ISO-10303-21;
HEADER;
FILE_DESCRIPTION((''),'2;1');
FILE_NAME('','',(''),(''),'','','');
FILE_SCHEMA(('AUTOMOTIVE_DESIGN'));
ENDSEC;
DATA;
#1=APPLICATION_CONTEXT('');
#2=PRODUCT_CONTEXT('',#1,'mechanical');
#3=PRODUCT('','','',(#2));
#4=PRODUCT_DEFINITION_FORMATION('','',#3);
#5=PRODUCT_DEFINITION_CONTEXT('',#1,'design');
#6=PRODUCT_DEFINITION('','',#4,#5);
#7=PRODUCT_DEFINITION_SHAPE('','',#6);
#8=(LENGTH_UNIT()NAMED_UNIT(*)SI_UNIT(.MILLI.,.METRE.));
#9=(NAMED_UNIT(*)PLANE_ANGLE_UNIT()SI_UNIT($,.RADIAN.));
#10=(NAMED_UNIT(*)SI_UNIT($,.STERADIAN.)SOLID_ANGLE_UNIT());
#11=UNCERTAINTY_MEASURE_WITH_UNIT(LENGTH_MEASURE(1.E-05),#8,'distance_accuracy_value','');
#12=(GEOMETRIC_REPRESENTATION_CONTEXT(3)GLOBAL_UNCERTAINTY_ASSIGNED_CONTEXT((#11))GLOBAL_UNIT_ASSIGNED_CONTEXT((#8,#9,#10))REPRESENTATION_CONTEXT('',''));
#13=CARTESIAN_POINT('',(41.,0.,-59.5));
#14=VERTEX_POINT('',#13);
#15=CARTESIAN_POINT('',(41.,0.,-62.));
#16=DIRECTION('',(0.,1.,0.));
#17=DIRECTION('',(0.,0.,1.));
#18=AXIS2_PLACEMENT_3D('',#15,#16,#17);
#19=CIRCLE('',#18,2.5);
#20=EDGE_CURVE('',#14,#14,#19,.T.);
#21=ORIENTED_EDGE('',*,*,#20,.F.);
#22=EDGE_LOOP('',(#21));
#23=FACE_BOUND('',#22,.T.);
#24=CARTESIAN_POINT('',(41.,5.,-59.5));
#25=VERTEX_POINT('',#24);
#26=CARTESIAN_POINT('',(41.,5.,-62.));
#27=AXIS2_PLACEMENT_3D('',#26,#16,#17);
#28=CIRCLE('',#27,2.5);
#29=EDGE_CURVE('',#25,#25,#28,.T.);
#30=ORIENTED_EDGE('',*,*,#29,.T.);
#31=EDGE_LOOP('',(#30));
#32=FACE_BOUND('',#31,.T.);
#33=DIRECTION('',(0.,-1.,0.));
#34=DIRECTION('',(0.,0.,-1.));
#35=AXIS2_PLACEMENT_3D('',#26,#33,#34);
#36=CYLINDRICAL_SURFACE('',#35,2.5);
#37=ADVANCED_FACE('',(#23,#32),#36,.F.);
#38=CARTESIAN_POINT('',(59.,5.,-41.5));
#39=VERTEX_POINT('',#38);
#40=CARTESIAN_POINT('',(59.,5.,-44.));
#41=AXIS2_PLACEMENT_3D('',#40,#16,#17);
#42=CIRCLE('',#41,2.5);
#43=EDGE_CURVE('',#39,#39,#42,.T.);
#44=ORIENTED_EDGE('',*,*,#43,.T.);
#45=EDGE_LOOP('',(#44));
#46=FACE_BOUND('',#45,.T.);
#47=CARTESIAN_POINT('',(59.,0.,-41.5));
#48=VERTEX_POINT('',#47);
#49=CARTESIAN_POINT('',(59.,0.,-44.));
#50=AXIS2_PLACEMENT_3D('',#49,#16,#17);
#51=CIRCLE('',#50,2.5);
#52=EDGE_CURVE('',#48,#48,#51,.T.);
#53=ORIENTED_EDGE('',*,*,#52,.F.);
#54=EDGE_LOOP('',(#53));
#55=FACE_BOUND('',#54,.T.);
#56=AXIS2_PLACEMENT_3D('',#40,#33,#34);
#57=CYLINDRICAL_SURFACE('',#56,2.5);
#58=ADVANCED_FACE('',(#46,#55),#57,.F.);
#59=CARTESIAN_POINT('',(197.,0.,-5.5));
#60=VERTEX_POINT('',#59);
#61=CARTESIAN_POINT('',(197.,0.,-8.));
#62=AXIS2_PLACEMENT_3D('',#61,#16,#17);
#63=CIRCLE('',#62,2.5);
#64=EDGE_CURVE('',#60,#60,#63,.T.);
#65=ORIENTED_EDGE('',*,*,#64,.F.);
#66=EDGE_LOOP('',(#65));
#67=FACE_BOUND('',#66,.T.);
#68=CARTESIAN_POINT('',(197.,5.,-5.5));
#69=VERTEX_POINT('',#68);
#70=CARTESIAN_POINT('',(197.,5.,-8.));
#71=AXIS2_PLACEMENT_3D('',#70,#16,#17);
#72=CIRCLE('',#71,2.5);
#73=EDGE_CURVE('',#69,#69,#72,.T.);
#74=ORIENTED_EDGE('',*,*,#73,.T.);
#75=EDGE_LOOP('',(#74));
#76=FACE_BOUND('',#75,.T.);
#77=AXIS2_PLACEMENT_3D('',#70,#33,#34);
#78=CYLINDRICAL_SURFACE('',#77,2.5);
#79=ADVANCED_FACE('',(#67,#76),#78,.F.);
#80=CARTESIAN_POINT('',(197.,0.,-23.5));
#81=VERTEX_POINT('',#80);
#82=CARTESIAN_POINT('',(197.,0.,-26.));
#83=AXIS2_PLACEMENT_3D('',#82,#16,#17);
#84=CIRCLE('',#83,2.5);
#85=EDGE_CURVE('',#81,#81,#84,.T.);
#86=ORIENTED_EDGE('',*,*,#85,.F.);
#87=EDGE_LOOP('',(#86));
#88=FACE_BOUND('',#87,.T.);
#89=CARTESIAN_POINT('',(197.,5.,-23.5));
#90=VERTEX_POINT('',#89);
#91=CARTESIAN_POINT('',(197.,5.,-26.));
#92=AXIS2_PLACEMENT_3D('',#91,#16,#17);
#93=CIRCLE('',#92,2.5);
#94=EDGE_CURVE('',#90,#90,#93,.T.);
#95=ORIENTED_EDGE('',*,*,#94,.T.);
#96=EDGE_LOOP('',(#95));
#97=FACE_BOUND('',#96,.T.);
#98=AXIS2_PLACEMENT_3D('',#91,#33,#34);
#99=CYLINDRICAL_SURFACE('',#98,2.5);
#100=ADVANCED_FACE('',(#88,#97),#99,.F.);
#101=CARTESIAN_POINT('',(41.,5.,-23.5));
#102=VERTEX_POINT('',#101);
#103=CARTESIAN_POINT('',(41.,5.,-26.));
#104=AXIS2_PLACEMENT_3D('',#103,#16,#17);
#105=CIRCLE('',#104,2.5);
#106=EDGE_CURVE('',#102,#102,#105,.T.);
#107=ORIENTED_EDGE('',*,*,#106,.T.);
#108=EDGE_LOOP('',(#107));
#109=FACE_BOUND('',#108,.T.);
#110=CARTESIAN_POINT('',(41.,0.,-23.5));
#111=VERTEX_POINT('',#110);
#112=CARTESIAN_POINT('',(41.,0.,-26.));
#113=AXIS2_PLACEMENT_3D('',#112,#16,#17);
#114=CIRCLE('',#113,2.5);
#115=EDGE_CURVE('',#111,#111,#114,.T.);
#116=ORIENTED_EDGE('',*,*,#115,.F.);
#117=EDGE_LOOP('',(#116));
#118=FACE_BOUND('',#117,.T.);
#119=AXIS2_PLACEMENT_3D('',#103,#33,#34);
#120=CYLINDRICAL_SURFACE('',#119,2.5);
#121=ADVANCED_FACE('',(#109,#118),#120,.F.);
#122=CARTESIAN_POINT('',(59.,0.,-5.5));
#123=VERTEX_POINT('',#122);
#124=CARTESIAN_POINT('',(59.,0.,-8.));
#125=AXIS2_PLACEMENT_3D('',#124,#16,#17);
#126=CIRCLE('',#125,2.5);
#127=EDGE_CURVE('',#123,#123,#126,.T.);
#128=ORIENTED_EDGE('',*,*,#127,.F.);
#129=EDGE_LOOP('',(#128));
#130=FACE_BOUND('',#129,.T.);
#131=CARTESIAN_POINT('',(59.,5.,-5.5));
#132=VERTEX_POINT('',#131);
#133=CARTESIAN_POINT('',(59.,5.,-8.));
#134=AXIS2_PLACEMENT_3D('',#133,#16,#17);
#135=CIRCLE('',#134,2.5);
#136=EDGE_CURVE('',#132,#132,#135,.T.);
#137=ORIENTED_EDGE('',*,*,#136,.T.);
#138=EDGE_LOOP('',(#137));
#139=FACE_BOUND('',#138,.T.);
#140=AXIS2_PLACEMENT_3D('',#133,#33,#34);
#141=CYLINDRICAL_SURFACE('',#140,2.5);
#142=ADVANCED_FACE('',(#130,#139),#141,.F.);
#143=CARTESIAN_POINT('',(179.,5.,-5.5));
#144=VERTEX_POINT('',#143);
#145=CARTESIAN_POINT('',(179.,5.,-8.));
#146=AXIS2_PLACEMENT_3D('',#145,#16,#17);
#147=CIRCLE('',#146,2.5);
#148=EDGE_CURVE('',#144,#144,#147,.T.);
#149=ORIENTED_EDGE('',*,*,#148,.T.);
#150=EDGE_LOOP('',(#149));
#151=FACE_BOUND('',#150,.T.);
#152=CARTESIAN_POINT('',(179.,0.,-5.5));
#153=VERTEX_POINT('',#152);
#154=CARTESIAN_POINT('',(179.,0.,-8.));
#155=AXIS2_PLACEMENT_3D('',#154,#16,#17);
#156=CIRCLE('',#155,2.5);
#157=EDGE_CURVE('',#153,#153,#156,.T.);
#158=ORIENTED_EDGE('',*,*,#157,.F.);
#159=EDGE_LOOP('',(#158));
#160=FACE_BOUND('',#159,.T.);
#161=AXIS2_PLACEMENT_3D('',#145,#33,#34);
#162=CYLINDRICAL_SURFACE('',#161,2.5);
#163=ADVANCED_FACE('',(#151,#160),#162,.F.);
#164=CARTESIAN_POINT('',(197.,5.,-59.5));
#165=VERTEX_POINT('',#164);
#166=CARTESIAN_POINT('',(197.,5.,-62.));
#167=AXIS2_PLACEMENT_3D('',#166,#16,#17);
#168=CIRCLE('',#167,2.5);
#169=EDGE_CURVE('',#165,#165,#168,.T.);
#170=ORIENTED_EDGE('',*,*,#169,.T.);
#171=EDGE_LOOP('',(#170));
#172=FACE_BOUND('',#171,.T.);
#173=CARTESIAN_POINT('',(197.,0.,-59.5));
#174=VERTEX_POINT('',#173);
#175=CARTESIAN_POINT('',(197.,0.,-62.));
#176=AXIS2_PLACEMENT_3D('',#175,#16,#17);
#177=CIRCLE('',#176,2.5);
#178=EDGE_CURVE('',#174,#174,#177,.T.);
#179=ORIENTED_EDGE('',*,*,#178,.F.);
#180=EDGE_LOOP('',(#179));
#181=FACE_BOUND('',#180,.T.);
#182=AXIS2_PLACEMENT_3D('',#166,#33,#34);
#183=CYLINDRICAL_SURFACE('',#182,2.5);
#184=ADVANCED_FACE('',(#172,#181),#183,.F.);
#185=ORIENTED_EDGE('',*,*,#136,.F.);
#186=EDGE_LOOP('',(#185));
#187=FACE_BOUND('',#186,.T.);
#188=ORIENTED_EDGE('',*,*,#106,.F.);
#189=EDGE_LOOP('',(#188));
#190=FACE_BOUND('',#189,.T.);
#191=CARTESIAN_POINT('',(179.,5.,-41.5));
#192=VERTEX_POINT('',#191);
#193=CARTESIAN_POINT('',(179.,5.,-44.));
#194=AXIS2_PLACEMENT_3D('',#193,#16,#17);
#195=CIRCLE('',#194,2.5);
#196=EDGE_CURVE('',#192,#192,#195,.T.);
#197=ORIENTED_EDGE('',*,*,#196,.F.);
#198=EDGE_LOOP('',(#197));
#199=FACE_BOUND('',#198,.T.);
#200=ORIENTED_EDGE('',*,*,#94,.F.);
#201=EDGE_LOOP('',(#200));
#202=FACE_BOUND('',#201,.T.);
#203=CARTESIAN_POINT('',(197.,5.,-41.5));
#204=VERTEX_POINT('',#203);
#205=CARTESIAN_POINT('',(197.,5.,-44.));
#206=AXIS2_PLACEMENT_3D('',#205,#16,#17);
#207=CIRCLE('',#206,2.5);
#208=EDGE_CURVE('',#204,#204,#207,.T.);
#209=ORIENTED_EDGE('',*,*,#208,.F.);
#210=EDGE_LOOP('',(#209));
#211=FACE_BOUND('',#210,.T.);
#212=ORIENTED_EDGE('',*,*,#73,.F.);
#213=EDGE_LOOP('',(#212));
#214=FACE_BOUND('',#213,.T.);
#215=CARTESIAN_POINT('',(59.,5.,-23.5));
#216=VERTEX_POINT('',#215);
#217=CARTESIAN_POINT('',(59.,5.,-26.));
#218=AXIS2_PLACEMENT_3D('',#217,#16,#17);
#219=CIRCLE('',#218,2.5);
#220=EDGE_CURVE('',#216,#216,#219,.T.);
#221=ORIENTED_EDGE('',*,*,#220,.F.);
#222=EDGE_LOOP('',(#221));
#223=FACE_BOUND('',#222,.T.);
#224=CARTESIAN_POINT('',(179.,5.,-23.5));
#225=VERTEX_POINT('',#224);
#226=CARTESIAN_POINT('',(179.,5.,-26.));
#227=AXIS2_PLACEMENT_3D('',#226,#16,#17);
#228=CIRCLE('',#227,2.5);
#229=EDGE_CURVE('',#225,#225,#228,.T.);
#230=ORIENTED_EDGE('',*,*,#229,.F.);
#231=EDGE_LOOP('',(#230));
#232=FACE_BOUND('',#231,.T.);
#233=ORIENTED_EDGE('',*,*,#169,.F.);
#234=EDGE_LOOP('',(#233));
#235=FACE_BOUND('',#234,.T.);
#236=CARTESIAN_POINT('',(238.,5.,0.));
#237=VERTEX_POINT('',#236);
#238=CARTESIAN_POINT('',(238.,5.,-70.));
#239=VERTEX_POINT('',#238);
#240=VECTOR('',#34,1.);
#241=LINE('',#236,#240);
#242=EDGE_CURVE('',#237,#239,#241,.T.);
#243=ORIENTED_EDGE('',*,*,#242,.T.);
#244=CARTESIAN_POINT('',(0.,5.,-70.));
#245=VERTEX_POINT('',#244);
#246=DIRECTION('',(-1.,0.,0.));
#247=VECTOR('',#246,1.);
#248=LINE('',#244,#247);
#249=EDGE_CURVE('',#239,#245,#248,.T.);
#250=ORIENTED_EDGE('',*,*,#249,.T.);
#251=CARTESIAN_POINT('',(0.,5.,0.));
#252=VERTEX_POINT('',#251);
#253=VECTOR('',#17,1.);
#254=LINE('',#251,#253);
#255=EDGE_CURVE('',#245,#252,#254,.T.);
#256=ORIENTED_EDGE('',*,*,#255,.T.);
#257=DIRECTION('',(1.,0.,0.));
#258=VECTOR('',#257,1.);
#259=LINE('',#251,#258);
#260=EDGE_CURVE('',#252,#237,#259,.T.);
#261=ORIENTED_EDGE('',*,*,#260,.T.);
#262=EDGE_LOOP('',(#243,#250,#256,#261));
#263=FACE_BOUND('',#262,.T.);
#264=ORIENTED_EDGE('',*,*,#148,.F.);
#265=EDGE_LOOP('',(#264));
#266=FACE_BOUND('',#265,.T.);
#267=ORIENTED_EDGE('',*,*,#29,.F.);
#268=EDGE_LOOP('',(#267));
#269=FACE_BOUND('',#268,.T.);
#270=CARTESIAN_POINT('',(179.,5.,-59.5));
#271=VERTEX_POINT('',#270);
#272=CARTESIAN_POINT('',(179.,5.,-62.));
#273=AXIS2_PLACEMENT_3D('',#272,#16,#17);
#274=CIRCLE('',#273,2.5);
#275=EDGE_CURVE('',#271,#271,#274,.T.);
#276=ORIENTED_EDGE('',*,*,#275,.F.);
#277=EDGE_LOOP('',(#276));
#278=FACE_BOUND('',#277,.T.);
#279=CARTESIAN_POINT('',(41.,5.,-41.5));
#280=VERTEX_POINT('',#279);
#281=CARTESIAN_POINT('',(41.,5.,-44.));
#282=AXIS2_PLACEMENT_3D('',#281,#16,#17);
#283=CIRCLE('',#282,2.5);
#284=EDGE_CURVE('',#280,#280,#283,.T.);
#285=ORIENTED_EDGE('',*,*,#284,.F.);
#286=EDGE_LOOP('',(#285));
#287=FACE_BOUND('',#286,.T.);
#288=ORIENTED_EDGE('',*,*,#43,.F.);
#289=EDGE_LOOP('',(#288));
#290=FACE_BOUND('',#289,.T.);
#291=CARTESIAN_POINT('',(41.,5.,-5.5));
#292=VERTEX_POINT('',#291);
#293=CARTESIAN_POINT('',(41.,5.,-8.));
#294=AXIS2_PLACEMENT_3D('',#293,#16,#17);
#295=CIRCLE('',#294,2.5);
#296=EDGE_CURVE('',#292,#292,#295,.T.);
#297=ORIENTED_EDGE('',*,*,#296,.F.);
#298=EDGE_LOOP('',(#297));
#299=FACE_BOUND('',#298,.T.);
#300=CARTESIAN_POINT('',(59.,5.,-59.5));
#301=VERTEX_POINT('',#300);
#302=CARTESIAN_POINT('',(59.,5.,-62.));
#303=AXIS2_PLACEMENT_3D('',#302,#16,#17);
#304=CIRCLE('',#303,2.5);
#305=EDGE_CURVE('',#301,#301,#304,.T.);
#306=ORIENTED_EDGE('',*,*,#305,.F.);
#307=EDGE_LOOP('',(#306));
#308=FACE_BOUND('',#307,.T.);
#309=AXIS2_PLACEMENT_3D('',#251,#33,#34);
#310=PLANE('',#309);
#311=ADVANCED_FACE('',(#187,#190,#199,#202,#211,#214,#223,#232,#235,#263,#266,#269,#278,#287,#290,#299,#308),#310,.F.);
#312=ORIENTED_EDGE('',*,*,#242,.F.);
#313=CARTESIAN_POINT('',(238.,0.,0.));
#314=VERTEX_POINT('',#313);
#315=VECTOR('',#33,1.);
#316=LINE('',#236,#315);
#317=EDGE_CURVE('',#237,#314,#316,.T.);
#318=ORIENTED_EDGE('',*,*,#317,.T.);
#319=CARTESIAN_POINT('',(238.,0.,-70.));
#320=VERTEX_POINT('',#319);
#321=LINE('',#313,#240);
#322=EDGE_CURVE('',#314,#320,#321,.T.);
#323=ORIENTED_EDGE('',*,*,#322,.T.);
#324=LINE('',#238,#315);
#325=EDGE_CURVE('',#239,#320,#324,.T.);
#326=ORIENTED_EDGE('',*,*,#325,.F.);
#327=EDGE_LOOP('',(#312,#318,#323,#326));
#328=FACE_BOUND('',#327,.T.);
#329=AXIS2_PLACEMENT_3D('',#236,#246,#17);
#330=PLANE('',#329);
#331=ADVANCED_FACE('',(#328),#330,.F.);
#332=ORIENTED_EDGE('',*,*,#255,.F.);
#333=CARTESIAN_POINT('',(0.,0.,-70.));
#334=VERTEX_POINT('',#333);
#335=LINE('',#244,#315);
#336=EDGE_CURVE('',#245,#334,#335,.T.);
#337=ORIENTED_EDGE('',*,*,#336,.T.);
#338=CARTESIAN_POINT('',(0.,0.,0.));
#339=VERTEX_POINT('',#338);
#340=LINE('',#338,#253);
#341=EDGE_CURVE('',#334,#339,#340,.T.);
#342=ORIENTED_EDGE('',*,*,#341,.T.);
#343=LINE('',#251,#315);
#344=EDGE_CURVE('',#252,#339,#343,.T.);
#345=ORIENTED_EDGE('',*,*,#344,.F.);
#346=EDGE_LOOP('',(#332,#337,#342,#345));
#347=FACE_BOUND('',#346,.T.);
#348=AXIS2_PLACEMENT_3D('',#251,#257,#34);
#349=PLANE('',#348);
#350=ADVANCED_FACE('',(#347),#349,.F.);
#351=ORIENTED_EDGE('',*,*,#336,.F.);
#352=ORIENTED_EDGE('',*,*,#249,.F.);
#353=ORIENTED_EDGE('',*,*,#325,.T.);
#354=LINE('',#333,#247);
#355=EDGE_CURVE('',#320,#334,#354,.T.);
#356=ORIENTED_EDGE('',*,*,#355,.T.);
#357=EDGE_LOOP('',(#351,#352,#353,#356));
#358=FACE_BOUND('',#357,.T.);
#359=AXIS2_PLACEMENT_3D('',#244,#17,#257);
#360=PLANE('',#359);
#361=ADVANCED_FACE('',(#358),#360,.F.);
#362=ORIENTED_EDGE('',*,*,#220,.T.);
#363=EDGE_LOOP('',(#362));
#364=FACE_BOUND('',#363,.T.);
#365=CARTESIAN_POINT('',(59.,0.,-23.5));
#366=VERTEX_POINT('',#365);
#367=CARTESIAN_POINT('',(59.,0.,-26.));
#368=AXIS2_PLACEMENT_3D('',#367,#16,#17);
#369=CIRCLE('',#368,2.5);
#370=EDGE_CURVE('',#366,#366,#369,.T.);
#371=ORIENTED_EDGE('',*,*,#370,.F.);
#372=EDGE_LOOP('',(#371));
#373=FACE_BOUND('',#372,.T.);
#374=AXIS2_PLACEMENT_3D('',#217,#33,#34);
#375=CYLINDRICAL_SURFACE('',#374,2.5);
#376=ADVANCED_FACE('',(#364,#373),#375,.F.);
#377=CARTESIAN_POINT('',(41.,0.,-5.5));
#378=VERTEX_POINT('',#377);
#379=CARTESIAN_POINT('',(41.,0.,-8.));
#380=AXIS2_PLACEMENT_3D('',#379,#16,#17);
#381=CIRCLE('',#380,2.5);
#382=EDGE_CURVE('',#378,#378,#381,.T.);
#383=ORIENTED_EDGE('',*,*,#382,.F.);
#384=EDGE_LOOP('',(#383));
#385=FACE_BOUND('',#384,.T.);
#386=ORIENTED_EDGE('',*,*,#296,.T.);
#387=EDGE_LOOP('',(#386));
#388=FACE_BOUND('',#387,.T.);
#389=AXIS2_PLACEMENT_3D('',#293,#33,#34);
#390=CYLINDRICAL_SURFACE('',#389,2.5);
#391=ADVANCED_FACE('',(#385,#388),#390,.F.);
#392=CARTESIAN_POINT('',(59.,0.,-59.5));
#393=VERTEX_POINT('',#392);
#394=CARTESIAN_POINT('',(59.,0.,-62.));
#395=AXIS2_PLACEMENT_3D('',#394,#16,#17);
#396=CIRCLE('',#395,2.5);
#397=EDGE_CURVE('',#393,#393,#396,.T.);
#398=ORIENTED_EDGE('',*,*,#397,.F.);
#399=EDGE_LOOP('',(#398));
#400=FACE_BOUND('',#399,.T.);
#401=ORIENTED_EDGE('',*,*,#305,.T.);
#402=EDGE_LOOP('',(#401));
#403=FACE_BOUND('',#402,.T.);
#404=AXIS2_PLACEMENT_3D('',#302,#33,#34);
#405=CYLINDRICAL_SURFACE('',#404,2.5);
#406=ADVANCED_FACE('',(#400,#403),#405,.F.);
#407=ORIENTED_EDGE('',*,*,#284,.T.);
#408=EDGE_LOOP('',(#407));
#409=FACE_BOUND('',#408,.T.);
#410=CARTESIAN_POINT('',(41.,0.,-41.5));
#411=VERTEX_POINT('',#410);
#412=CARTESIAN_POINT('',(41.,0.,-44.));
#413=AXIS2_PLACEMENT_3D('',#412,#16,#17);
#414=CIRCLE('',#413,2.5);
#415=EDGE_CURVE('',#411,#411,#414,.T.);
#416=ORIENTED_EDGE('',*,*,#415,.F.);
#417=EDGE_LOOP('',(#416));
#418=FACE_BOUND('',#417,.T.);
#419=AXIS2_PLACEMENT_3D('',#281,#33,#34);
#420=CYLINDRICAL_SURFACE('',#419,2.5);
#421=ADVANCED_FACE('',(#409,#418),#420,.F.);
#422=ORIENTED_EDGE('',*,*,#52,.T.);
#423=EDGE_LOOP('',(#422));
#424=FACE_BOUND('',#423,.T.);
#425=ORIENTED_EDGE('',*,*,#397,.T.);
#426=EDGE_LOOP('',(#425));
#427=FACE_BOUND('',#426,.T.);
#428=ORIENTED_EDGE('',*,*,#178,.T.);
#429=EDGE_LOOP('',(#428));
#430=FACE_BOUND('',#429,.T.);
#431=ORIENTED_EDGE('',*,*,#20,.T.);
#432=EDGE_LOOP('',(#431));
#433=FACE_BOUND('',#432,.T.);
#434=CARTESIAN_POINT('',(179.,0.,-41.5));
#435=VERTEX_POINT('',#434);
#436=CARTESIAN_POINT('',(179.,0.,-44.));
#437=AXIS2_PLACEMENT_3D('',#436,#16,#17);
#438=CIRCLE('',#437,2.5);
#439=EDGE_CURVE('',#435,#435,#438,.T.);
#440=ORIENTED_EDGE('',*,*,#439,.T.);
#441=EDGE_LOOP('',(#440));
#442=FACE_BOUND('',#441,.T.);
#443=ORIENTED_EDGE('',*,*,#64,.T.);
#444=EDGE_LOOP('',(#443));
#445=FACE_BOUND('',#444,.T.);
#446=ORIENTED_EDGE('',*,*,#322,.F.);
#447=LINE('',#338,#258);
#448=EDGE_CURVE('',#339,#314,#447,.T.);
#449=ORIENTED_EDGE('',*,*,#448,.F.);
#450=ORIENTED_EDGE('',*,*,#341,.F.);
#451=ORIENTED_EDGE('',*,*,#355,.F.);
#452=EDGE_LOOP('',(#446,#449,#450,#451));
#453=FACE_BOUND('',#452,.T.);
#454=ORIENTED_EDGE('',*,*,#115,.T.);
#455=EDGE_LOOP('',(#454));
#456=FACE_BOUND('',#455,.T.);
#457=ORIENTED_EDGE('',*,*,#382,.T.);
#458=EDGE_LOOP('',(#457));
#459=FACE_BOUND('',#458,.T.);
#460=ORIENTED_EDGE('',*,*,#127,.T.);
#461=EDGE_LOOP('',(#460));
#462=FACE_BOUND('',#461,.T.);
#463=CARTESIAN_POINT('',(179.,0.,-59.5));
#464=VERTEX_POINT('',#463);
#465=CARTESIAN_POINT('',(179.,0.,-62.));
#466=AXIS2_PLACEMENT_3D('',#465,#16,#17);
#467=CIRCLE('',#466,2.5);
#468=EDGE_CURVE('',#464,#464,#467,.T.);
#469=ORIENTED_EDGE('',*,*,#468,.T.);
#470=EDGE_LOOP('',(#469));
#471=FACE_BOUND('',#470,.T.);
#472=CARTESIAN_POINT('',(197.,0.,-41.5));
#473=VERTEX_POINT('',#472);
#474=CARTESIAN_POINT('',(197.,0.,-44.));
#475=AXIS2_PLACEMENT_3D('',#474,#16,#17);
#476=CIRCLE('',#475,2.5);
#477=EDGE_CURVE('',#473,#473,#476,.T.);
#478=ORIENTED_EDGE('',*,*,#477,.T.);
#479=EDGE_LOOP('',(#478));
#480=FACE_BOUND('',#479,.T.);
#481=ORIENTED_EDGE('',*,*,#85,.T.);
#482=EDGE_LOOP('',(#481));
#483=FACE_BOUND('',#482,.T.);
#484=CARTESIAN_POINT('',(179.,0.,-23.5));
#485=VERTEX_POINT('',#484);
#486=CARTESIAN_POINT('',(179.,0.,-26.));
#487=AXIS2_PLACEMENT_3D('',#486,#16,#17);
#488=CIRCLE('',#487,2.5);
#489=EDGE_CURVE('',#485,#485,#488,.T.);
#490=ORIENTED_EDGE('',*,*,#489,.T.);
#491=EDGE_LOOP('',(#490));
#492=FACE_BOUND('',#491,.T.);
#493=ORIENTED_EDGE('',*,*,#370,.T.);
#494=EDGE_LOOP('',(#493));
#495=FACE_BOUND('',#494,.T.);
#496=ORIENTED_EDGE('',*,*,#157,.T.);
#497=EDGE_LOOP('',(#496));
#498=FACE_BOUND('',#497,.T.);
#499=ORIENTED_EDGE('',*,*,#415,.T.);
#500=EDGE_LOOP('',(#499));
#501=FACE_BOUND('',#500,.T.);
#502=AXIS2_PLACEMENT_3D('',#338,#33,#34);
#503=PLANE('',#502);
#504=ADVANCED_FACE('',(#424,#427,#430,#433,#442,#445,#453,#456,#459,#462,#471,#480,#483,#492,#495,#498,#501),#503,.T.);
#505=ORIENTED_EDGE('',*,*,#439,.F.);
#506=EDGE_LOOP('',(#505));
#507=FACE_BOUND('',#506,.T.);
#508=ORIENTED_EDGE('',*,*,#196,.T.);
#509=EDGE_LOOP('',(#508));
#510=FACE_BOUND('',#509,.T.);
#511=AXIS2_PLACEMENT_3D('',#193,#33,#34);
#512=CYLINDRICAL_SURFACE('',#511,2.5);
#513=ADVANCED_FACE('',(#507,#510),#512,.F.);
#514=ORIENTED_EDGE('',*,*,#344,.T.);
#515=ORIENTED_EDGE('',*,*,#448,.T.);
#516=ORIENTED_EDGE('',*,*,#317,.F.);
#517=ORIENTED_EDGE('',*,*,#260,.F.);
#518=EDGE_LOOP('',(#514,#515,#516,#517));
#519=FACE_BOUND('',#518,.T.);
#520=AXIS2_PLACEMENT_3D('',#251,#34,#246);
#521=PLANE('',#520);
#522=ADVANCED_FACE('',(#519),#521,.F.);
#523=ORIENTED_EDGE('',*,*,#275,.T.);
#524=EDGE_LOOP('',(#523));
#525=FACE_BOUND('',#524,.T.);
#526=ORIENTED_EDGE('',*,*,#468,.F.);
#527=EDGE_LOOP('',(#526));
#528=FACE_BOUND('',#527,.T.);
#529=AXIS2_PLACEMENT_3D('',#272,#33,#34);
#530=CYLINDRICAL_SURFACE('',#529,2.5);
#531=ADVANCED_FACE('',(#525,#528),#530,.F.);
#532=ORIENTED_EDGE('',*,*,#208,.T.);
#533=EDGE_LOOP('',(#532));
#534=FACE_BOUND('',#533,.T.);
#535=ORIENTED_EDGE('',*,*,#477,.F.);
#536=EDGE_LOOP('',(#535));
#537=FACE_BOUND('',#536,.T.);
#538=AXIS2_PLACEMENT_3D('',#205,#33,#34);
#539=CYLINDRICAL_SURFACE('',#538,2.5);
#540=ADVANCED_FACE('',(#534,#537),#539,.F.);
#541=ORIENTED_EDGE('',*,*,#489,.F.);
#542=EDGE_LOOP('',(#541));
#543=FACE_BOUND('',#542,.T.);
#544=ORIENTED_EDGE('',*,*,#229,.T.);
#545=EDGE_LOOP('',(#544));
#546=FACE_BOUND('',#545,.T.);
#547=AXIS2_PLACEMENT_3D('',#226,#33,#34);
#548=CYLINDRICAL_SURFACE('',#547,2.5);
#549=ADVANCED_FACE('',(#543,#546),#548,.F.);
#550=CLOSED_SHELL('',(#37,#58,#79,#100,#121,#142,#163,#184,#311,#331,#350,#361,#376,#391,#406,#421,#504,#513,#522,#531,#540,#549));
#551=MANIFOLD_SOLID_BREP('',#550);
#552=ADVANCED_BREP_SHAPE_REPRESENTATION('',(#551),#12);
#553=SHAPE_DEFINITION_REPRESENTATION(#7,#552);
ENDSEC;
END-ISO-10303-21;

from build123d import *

# Parameters (mm, degrees)
SKETCH1_W           = 238
SKETCH1_H           = 70
SKETCH1_R           = 2.5
BOSS_EXTRUDE1_DEPTH = 5


with BuildPart() as part:
    # Sketch1 → Boss-Extrude1 (new body)
    with BuildSketch(Plane(origin=(0, 0, 0), x_dir=(1, 0, 0), z_dir=(0, 1, 0))):
        with Locations((119, 35)):
            Rectangle(SKETCH1_W, SKETCH1_H)
        with Locations(Location((41, 62, 0), (0, 0, 270))):
            Circle(SKETCH1_R, mode=Mode.SUBTRACT)
        with Locations(Location((59, 62, 0), (0, 0, 270))):
            Circle(SKETCH1_R, mode=Mode.SUBTRACT)
        with Locations(Location((41, 44, 0), (0, 0, 270))):
            Circle(SKETCH1_R, mode=Mode.SUBTRACT)
        with Locations(Location((59, 44, 0), (0, 0, 270))):
            Circle(SKETCH1_R, mode=Mode.SUBTRACT)
        with Locations(Location((197, 44, 0), (0, 0, 270))):
            Circle(SKETCH1_R, mode=Mode.SUBTRACT)
        with Locations(Location((197, 62, 0), (0, 0, 270))):
            Circle(SKETCH1_R, mode=Mode.SUBTRACT)
        with Locations(Location((179, 62, 0), (0, 0, 270))):
            Circle(SKETCH1_R, mode=Mode.SUBTRACT)
        with Locations(Location((179, 44, 0), (0, 0, 270))):
            Circle(SKETCH1_R, mode=Mode.SUBTRACT)
        with Locations(Location((197, 8, 0), (0, 0, 270))):
            Circle(SKETCH1_R, mode=Mode.SUBTRACT)
        with Locations(Location((197, 26, 0), (0, 0, 270))):
            Circle(SKETCH1_R, mode=Mode.SUBTRACT)
        with Locations(Location((179, 26, 0), (0, 0, 270))):
            Circle(SKETCH1_R, mode=Mode.SUBTRACT)
        with Locations(Location((179, 8, 0), (0, 0, 270))):
            Circle(SKETCH1_R, mode=Mode.SUBTRACT)
        with Locations(Location((59, 8, 0), (0, 0, 270))):
            Circle(SKETCH1_R, mode=Mode.SUBTRACT)
        with Locations(Location((59, 26, 0), (0, 0, 270))):
            Circle(SKETCH1_R, mode=Mode.SUBTRACT)
        with Locations(Location((41, 26, 0), (0, 0, 270))):
            Circle(SKETCH1_R, mode=Mode.SUBTRACT)
        with Locations(Location((41, 8, 0), (0, 0, 270))):
            Circle(SKETCH1_R, mode=Mode.SUBTRACT)
    extrude(amount=BOSS_EXTRUDE1_DEPTH)


solid = part.part
